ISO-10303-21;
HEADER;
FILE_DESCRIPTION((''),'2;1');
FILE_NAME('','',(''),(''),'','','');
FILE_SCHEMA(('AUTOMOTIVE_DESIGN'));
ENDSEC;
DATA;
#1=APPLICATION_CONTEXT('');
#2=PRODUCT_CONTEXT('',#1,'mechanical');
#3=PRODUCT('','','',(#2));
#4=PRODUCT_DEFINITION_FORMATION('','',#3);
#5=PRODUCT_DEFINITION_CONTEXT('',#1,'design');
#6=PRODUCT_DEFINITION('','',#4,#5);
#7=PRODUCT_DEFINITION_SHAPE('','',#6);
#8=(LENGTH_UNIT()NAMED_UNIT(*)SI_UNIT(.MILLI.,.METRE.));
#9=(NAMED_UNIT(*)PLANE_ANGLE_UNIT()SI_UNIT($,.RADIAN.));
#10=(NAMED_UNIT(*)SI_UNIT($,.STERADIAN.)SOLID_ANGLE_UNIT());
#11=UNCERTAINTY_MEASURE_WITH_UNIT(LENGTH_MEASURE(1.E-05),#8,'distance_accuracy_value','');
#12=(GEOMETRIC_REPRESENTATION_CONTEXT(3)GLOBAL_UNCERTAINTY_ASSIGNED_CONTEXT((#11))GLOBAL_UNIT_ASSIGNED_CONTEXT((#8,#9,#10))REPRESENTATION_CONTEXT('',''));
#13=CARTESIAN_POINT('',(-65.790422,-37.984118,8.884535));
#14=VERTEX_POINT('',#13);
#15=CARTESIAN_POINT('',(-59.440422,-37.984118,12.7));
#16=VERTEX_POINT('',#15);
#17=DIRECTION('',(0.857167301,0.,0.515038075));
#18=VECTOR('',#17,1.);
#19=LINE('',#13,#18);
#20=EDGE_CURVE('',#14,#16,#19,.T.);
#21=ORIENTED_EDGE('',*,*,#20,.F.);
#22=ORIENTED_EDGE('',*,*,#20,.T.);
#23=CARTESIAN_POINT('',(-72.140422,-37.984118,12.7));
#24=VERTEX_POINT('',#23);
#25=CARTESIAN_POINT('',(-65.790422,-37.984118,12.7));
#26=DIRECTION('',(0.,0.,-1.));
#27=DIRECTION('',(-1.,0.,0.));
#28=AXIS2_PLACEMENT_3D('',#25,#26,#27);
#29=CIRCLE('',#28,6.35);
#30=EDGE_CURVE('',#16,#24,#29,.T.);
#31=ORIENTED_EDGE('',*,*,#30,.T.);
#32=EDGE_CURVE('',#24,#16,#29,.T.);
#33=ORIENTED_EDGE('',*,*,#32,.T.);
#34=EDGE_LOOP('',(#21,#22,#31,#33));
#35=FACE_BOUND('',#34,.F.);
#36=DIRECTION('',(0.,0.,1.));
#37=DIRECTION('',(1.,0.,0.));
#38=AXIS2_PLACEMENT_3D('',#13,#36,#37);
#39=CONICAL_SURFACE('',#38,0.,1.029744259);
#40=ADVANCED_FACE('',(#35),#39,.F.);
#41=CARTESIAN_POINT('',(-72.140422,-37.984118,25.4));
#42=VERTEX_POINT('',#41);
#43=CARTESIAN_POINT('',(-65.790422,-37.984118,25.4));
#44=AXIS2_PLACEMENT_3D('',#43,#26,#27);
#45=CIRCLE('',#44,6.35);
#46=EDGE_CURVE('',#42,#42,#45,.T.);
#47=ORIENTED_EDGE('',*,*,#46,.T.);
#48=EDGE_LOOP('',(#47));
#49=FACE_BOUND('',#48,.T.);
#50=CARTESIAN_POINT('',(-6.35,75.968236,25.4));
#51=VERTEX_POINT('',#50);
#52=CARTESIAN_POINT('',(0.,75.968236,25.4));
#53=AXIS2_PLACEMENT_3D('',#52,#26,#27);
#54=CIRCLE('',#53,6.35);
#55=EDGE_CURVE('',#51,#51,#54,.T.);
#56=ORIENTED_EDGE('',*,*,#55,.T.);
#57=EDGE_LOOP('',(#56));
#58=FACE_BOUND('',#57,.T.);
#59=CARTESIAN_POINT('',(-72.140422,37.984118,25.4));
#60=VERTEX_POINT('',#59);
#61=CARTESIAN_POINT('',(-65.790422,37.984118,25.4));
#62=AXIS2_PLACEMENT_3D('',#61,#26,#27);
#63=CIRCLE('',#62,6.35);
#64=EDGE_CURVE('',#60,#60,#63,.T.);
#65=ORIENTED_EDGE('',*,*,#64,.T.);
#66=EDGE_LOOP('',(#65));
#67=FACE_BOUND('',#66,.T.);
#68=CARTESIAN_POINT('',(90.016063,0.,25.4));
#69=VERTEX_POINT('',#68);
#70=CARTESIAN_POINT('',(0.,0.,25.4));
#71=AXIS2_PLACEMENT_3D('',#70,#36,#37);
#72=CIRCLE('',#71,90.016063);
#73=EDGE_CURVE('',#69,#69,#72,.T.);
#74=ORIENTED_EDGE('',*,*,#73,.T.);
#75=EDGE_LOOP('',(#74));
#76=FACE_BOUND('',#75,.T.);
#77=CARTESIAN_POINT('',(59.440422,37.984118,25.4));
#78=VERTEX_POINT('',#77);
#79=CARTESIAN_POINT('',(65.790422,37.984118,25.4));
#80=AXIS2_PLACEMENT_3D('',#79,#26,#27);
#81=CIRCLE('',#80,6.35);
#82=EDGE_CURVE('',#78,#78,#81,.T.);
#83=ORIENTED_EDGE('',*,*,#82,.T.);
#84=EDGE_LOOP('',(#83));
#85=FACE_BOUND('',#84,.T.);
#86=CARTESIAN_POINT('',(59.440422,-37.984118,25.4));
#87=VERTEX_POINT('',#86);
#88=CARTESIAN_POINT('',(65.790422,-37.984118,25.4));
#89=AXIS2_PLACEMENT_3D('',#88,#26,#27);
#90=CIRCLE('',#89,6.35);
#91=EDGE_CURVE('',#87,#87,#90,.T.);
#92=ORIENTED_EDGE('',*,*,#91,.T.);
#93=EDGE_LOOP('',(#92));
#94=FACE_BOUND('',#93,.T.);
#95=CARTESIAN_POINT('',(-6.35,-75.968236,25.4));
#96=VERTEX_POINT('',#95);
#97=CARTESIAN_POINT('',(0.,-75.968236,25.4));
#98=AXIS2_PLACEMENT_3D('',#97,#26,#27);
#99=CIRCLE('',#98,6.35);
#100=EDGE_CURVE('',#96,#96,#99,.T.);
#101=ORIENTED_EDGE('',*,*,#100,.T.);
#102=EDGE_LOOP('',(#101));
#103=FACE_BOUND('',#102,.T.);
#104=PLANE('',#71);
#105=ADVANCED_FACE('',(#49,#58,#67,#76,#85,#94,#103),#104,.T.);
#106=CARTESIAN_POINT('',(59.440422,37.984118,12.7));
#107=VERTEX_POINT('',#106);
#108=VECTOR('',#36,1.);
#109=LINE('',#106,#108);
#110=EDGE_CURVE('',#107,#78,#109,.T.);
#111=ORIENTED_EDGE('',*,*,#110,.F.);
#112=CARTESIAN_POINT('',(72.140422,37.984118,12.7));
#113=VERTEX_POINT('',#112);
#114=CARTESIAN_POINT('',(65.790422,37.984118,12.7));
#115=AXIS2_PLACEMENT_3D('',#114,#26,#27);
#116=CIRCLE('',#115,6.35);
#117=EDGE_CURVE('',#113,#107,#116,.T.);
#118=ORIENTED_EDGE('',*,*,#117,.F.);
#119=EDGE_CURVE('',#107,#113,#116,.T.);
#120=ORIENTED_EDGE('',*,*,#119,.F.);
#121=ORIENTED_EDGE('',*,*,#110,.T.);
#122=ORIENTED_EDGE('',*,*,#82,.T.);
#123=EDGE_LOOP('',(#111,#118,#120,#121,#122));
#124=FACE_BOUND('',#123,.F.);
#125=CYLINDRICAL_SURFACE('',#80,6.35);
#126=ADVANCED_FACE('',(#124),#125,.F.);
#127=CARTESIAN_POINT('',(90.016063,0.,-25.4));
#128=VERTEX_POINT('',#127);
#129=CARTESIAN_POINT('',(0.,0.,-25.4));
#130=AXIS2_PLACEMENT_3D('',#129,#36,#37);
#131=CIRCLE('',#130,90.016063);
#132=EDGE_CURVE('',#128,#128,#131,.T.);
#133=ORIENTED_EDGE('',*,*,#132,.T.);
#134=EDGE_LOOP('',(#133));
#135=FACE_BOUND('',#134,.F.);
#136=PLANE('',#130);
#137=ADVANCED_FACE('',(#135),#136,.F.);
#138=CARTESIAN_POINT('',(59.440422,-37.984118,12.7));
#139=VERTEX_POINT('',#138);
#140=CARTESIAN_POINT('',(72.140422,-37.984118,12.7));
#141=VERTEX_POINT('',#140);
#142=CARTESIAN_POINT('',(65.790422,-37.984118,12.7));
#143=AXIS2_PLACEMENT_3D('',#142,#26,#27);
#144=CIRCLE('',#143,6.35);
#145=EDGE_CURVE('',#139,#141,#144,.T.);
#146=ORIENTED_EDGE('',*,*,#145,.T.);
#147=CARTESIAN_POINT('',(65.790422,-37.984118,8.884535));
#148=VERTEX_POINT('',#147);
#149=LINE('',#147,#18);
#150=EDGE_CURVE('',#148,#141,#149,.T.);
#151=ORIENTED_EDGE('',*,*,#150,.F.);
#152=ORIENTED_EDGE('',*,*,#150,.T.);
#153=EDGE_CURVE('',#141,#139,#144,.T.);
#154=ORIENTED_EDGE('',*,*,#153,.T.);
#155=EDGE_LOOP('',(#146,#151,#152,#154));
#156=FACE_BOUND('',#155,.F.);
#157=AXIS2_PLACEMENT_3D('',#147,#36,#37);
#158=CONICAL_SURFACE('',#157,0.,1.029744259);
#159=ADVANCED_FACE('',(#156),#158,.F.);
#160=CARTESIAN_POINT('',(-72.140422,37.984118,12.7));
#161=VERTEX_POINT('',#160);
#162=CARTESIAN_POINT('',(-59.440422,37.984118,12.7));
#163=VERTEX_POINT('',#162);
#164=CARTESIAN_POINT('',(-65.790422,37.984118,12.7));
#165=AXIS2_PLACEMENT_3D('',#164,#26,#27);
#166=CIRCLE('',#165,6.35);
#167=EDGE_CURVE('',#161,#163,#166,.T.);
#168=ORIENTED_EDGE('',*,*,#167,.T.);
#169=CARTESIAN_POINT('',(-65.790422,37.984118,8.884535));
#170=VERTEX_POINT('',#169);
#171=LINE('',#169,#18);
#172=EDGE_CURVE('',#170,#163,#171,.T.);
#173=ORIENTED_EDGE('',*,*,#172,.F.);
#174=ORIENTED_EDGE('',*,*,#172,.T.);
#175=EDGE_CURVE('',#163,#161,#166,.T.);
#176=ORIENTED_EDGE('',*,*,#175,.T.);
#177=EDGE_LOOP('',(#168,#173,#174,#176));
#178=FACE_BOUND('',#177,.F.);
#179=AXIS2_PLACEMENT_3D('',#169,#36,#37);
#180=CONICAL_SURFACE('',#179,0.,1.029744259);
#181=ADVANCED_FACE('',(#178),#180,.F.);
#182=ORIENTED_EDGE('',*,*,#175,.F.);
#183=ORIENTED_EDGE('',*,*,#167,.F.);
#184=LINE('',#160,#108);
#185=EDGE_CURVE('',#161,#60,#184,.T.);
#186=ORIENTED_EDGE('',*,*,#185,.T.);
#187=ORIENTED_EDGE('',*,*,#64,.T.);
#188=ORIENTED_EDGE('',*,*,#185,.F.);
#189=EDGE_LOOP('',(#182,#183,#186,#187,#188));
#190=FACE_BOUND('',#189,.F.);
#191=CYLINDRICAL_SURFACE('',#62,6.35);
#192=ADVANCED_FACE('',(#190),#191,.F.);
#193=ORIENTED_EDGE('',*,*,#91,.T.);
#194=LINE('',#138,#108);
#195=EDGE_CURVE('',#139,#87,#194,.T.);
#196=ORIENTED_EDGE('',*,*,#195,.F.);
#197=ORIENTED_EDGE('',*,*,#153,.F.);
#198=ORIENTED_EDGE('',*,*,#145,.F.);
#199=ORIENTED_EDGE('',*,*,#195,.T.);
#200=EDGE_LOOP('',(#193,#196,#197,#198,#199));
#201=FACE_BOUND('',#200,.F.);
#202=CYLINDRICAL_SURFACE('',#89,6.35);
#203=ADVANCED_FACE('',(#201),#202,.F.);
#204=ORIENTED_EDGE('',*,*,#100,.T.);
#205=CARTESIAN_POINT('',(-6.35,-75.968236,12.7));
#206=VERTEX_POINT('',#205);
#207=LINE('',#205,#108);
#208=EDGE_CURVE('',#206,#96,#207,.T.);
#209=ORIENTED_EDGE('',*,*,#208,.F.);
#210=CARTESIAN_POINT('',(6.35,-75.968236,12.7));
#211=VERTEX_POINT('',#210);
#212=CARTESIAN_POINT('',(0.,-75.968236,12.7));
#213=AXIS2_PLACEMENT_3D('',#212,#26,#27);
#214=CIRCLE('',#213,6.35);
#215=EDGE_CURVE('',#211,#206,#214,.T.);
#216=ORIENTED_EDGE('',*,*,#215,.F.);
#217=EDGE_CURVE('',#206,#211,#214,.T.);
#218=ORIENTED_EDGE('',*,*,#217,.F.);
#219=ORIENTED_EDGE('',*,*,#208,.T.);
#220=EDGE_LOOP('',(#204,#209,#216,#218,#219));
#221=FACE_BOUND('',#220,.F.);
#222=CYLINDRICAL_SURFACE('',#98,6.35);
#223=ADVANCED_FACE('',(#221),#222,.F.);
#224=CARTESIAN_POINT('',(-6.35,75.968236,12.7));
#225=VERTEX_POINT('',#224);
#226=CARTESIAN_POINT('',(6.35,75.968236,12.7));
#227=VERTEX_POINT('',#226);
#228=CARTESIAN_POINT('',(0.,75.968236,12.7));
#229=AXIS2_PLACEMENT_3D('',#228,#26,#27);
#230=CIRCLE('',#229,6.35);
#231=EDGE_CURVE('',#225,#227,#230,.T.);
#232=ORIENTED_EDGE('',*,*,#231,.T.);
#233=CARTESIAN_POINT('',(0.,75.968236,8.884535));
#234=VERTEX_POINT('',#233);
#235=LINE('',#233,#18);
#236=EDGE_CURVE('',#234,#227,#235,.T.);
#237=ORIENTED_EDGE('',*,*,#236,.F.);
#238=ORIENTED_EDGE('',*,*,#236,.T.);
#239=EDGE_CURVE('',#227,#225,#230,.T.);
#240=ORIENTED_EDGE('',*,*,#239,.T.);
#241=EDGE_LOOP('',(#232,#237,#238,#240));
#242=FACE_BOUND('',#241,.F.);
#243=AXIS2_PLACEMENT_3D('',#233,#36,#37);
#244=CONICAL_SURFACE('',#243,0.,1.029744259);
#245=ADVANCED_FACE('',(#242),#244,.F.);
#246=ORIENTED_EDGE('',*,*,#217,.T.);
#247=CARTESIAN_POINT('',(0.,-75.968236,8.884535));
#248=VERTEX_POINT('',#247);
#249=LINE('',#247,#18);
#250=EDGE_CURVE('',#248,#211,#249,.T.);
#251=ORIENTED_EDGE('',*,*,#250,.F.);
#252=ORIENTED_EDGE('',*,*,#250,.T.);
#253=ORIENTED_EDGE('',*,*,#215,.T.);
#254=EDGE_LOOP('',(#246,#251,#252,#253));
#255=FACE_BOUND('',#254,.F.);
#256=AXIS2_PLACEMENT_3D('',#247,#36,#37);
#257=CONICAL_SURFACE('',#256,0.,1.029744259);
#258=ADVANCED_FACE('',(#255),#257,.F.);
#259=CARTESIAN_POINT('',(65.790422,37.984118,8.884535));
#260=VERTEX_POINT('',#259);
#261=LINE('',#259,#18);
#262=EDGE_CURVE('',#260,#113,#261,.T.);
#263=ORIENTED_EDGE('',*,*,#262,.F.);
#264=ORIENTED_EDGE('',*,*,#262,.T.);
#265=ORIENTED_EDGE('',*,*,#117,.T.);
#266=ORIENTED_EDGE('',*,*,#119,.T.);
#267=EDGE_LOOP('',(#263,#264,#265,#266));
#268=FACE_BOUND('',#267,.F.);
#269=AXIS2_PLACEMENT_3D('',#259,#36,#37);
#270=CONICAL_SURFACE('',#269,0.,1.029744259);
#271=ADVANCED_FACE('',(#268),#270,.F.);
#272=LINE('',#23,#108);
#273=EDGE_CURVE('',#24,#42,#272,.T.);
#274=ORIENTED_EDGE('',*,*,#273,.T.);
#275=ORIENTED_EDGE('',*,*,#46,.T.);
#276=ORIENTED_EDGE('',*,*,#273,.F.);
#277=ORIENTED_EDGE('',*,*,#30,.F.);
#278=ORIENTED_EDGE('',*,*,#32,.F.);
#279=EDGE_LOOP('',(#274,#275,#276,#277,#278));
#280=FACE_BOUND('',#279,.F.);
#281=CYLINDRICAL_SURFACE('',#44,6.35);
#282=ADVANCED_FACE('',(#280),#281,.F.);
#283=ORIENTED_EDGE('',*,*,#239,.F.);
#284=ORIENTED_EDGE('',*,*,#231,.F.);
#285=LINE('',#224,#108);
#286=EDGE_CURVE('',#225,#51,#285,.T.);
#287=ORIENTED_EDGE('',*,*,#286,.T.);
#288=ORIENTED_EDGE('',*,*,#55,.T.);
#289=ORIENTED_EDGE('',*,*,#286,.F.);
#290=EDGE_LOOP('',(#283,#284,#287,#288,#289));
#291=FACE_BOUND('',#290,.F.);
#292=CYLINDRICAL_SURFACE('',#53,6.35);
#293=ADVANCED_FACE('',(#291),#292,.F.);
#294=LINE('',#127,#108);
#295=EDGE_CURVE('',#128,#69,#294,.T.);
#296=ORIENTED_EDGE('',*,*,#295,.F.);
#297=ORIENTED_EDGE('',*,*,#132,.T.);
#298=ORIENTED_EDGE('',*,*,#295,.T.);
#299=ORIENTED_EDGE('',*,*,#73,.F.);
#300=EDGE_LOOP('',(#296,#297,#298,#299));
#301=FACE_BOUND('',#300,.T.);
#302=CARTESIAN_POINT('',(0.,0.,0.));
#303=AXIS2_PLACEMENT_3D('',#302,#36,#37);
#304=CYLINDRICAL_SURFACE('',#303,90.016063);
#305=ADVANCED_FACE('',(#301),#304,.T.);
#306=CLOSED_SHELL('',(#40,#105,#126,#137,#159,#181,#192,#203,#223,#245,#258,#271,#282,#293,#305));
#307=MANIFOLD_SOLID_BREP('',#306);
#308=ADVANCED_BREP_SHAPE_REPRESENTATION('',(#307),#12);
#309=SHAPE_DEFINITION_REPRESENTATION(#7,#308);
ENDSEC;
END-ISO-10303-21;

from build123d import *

# Parameters (mm, degrees)
F0_R           = 90.0160626722
F1_DEPTH       = 25.4
F3_D           = 12.7
F3_DEPTH       = 12.7
F3_CBORE_D     = 12.7
F3_CBORE_DEPTH = 10.16
F3_TIP         = 3.8154649308


with BuildPart() as f1:
    # F0 (on Top) → F1 (new body, symmetric)
    with BuildSketch(Plane.XY):
        Circle(F0_R)
    extrude(amount=F1_DEPTH, both=True)

    # F3
    with Locations(Plane.XY.offset(25.4)):
        with Locations((0, 75.9682357311), (-65.7904220238, 37.9841178656), (-65.7904220238, -37.9841178656), (0, -75.9682357311), (65.7904220238, -37.9841178656), (65.7904220238, 37.9841178656)):
            CounterBoreHole(F3_D / 2, F3_CBORE_D / 2, F3_CBORE_DEPTH, depth=F3_DEPTH)
            with Locations((0, 0, -(F3_DEPTH + F3_TIP / 2))):  # 118° drill point
                Cone(0, F3_D / 2, F3_TIP, mode=Mode.SUBTRACT)


solid = f1.part
